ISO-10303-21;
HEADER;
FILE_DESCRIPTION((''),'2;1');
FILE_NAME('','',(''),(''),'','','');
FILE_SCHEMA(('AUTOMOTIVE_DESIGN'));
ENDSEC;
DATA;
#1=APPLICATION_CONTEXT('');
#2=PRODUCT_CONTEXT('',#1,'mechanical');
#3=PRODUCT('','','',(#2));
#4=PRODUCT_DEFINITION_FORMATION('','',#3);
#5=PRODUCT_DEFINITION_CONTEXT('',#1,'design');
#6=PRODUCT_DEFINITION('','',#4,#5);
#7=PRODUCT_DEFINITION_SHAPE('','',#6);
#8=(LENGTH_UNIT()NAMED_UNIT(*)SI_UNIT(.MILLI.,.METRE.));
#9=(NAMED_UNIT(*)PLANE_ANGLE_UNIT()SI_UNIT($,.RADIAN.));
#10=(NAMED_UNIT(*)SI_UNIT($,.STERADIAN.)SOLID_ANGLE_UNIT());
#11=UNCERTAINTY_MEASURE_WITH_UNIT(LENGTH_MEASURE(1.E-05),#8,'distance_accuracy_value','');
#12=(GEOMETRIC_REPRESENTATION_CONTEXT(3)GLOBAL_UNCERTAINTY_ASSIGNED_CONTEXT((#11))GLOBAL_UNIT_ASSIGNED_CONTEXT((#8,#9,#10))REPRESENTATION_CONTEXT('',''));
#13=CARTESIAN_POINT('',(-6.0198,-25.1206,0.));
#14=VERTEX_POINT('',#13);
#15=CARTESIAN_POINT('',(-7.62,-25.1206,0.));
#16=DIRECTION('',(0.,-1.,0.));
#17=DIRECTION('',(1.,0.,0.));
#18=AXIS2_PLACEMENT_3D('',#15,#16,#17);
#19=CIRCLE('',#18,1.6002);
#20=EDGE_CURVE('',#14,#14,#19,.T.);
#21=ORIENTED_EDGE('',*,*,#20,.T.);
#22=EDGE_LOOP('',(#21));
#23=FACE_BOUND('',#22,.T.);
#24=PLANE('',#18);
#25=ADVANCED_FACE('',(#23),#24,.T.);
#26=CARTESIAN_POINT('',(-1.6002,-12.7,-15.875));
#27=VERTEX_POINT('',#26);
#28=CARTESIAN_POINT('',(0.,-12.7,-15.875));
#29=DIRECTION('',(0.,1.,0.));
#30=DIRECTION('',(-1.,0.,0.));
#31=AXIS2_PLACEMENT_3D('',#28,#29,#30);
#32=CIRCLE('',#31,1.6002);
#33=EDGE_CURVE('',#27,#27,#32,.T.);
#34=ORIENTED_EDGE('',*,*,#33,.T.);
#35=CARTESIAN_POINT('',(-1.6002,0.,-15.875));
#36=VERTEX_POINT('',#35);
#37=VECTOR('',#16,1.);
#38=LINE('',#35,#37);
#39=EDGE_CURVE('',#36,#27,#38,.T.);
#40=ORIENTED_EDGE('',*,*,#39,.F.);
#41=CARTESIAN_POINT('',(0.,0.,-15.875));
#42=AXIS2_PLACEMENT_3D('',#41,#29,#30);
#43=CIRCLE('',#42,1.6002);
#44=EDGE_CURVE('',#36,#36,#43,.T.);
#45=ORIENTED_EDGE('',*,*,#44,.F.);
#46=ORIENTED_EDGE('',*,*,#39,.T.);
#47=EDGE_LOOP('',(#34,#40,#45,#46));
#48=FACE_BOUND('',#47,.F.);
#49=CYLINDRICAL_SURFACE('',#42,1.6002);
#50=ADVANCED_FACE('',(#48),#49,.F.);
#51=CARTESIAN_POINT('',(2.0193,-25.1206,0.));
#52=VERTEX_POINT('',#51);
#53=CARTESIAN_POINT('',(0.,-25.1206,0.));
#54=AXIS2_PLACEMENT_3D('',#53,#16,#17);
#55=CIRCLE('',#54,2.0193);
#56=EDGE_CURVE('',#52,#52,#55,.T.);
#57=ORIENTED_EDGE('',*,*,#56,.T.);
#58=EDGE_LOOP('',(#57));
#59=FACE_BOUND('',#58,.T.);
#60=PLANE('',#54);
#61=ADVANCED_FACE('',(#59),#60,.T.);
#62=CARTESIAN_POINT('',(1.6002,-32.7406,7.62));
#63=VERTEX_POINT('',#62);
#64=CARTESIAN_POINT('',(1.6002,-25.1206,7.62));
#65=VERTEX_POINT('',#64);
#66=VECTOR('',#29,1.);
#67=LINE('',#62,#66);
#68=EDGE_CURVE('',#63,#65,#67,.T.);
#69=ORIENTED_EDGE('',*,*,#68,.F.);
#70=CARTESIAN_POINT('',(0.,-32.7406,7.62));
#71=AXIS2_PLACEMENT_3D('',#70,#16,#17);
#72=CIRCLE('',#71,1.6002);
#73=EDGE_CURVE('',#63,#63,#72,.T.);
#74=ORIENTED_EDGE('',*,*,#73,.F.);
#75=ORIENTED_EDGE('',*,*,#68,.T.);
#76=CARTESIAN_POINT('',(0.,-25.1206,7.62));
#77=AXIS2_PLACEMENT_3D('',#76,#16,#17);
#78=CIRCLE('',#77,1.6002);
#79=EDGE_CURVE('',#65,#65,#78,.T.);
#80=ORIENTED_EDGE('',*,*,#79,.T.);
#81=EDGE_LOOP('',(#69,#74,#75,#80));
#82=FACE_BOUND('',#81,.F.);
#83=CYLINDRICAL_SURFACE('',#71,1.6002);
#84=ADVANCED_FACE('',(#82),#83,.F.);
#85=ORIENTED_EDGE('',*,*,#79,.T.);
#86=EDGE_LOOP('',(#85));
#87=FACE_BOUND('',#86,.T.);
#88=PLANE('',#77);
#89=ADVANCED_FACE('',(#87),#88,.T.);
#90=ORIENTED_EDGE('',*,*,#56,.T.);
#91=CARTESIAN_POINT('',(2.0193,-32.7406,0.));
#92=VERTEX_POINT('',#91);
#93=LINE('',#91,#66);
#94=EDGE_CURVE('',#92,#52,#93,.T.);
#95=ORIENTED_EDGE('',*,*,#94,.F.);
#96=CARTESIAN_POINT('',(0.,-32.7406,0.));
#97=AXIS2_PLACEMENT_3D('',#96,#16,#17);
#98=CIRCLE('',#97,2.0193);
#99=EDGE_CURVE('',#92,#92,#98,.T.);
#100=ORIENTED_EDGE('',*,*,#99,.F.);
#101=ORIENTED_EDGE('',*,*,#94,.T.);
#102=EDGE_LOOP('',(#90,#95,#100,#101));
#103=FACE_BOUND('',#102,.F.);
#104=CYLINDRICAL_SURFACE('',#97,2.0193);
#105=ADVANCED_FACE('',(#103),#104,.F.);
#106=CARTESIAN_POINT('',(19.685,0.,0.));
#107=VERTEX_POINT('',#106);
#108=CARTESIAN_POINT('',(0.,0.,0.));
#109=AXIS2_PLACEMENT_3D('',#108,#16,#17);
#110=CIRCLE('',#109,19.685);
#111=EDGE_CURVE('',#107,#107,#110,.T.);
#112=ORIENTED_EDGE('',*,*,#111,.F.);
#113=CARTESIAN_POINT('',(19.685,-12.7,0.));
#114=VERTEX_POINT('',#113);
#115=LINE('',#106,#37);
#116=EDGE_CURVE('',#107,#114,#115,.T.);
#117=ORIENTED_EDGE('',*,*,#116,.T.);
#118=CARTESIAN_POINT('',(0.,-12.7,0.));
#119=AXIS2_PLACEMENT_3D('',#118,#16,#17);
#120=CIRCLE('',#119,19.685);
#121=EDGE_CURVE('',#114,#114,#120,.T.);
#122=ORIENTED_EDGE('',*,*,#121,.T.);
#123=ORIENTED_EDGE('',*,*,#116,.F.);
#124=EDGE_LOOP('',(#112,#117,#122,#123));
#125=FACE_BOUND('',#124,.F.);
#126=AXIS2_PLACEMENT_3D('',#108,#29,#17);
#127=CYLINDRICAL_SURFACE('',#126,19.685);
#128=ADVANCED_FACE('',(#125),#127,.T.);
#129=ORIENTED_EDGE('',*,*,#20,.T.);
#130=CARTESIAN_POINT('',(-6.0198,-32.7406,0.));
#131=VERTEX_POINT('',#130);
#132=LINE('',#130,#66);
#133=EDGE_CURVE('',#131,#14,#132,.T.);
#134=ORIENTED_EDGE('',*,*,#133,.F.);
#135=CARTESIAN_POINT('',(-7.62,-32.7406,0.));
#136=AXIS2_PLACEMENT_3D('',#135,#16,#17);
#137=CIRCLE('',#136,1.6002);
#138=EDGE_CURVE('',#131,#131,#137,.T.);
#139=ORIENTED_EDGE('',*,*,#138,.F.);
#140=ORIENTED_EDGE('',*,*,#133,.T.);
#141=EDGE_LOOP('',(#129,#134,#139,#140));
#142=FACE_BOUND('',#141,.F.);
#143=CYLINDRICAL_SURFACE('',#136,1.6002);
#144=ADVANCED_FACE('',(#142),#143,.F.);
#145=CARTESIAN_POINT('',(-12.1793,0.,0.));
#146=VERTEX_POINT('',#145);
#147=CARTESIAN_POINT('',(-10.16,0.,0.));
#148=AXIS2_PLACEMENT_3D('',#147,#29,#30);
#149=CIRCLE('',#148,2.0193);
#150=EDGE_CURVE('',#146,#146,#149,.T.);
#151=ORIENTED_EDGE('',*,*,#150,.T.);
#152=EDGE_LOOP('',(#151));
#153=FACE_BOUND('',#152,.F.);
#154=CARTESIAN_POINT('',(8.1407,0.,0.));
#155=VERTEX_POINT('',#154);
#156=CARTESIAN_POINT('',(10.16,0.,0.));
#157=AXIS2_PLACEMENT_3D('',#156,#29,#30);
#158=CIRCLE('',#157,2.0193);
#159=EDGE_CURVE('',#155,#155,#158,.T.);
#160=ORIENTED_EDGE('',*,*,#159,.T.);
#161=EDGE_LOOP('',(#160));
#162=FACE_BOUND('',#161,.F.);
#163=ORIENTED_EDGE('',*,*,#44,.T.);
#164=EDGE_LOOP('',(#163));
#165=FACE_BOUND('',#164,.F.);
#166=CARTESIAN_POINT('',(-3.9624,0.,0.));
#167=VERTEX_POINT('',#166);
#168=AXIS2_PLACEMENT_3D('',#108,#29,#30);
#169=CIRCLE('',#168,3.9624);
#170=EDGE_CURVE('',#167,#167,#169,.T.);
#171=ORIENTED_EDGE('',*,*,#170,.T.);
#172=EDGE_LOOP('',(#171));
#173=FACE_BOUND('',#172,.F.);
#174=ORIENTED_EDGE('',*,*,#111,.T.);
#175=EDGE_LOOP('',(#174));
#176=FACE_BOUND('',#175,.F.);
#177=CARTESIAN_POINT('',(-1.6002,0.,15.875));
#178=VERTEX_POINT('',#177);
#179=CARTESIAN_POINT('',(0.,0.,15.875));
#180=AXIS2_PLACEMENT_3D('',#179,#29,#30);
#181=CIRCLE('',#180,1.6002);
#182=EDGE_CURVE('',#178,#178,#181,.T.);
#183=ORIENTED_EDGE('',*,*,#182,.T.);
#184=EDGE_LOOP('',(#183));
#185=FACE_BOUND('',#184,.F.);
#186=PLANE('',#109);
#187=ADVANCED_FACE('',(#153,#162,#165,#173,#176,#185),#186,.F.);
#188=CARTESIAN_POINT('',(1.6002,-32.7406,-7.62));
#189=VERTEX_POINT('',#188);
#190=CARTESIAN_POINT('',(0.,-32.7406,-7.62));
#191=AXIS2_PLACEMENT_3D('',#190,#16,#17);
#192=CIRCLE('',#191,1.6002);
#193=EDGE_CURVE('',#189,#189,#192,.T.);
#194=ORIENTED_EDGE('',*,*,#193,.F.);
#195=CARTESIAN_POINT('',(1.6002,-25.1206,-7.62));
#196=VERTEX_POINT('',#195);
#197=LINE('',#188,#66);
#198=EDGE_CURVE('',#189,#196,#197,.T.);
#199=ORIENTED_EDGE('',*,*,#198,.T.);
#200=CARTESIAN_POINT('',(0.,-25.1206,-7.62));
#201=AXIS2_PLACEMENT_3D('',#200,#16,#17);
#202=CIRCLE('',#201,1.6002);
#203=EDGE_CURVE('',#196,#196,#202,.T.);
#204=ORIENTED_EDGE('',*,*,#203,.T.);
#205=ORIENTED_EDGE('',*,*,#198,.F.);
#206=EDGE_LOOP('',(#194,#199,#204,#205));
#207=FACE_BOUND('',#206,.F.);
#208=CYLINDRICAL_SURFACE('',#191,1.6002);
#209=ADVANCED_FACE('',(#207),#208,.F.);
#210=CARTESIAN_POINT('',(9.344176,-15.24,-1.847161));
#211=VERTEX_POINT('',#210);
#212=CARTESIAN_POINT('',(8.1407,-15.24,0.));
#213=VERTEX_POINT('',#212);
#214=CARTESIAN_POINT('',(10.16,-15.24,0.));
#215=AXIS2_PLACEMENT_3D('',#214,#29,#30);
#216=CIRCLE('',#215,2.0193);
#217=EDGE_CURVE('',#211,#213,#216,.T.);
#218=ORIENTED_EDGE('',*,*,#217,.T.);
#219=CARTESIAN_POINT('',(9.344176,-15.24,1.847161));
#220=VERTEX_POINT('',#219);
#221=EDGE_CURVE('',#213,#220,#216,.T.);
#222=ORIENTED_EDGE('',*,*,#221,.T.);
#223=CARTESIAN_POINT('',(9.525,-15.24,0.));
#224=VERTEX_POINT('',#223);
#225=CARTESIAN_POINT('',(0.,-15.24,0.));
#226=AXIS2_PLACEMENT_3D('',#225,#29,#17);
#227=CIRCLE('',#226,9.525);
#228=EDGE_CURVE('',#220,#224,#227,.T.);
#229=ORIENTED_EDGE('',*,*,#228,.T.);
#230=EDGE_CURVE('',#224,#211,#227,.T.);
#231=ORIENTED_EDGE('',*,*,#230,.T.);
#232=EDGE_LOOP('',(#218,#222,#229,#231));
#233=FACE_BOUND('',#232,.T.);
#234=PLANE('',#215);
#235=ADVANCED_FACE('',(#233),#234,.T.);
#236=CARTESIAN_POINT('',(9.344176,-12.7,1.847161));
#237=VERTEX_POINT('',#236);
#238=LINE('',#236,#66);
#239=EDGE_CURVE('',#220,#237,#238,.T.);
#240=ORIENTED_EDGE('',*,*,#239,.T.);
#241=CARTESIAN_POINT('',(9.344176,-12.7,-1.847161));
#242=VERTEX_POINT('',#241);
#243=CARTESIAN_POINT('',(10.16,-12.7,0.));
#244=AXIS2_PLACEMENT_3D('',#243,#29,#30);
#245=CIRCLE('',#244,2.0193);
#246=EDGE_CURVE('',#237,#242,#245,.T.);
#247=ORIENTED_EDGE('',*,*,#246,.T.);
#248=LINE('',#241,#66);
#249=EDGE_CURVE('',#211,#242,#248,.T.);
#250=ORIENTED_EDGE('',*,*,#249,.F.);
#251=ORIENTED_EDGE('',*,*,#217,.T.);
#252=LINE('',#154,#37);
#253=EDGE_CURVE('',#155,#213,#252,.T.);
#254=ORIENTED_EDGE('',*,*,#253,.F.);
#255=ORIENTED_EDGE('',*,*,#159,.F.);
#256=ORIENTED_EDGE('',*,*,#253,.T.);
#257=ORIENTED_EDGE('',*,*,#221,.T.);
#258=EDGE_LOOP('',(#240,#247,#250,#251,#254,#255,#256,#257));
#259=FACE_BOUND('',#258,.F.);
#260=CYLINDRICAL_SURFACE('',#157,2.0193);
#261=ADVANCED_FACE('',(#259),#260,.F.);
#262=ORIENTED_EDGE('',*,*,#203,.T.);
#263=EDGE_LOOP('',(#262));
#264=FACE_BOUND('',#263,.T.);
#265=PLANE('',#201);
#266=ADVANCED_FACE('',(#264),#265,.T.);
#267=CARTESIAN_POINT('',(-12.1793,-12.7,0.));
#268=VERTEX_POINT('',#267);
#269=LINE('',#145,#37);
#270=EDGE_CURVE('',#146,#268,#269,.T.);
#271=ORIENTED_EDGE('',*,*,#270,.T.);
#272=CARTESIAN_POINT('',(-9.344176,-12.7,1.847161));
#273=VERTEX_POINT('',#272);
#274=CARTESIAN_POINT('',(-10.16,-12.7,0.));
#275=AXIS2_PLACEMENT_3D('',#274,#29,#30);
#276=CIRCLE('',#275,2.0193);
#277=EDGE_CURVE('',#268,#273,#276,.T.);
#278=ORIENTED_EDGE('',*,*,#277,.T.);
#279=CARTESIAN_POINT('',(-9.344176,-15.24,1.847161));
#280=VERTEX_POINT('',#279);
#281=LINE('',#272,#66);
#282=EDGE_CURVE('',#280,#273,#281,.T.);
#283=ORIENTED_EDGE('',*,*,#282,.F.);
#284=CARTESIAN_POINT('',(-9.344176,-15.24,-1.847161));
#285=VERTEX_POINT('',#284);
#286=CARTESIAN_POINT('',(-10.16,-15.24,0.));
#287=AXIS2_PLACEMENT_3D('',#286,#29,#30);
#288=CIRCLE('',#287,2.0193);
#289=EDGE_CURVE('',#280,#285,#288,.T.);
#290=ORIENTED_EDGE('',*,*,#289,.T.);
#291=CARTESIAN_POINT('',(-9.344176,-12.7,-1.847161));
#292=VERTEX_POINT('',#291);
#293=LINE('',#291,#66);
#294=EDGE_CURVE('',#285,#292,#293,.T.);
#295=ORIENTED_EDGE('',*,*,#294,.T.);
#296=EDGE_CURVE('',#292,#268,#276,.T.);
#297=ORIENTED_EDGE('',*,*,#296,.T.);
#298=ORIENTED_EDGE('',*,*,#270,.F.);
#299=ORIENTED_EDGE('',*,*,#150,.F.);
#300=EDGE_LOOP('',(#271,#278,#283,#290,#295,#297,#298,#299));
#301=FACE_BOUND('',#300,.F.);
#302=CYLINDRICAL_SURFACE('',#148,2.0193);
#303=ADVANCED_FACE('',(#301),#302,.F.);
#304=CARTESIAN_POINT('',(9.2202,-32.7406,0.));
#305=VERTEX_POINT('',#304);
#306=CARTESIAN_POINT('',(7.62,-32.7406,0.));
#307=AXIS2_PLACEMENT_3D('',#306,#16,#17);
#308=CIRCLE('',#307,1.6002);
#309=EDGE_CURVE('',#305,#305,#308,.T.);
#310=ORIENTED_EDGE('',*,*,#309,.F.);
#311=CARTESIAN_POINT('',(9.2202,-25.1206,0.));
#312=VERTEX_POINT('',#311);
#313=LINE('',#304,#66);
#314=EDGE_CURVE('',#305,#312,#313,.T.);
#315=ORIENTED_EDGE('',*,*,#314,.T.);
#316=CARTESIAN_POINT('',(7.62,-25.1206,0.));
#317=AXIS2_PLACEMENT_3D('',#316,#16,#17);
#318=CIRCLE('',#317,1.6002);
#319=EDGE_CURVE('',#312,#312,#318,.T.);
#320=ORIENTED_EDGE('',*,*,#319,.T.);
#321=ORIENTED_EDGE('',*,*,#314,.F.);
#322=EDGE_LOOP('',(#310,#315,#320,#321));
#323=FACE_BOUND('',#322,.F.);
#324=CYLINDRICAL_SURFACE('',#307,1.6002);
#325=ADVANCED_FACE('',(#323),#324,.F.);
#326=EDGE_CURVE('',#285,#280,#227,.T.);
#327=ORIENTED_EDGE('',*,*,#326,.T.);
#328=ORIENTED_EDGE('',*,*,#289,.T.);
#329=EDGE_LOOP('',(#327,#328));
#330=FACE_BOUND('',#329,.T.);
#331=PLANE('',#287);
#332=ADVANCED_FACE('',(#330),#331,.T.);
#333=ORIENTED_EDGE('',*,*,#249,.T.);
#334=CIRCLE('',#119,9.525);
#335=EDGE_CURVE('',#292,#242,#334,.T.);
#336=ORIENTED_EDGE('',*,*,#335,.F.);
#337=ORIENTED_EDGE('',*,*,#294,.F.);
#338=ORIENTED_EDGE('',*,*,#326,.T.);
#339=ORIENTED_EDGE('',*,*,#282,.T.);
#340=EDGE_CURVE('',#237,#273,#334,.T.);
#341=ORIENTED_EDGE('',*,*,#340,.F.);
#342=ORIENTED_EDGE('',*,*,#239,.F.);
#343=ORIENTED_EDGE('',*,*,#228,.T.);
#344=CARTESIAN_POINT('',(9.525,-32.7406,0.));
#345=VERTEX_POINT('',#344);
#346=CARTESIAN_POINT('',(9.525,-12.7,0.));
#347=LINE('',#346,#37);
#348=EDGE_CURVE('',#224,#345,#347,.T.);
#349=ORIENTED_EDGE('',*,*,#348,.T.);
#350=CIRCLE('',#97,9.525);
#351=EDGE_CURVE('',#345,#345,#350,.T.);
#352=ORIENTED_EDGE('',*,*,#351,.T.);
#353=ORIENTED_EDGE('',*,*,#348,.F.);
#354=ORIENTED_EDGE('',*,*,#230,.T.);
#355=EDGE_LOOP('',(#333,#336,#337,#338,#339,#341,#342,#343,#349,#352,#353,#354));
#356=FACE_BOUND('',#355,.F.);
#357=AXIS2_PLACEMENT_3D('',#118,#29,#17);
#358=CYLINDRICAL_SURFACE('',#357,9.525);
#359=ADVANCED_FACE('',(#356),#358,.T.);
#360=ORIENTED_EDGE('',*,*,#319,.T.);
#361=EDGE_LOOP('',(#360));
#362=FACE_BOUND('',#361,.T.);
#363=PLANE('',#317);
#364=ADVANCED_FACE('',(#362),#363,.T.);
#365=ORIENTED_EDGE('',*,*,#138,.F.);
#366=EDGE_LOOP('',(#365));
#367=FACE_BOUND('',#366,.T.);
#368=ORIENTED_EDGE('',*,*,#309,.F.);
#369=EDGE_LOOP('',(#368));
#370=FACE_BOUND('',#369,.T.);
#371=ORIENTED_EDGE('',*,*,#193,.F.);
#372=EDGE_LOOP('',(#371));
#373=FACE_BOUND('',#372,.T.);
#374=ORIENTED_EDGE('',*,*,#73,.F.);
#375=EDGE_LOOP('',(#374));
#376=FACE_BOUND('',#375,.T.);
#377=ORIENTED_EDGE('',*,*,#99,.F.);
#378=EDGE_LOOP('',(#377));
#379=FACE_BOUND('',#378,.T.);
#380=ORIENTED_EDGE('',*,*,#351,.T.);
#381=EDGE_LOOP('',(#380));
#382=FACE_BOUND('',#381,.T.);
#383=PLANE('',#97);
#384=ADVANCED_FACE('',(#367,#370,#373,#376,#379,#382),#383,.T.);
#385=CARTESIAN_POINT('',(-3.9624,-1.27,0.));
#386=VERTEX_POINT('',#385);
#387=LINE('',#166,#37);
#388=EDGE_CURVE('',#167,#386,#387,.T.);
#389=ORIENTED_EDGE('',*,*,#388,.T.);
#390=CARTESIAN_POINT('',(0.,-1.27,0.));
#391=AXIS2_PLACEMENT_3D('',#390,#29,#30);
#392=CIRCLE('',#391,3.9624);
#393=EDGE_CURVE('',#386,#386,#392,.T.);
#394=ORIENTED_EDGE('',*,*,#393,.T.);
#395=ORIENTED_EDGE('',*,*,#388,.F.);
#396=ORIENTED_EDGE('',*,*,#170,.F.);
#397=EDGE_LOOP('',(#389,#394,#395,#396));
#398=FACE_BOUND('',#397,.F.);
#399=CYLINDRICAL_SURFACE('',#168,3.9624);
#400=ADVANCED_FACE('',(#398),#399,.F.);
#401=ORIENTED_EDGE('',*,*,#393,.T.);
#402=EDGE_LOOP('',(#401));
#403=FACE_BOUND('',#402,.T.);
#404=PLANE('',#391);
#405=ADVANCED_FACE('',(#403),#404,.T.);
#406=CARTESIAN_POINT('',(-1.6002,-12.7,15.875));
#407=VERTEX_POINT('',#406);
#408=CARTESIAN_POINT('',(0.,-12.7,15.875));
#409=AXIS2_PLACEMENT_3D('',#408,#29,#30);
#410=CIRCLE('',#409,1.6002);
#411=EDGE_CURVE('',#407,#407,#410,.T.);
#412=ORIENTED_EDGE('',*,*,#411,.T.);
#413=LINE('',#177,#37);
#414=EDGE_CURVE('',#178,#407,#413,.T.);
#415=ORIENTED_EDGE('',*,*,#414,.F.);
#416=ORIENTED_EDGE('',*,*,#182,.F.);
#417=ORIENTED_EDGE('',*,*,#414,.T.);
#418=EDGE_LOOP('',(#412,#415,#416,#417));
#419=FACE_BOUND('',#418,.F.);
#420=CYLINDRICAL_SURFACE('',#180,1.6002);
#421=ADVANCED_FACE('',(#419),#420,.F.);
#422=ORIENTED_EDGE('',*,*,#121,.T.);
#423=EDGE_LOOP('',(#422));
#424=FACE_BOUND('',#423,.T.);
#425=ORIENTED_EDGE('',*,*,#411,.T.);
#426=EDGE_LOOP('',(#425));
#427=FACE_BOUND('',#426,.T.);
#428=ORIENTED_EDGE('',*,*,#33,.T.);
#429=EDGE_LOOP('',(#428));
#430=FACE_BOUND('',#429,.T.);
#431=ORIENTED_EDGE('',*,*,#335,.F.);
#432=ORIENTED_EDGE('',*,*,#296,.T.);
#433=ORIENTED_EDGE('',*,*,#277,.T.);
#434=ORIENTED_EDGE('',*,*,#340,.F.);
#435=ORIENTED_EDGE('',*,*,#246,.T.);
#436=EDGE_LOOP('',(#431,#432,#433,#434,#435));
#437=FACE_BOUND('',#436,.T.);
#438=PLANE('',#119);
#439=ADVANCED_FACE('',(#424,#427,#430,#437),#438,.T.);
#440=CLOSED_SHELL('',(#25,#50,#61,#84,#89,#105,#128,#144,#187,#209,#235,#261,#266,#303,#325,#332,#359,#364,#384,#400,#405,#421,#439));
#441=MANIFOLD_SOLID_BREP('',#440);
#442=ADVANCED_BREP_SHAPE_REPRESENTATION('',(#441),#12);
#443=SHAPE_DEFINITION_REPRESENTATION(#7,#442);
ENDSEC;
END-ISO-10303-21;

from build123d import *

# Parameters (mm, degrees)
F0_R     = 19.685
F1_DEPTH = 12.7
F2_R     = 9.525
F3_DEPTH = 20.0406
F4_R     = 1.6002
F4_R_2   = 2.0193
F5_DEPTH = 7.62
F6_R     = 3.9624
F7_DEPTH = 1.27
F8_R     = 1.6002
F8_R_2   = 2.0193
F9_DEPTH = 15.24


with BuildPart() as f1:
    # F0 (on Front) → F1 (new body)
    with BuildSketch(Plane.XZ):
        Circle(F0_R)
    extrude(amount=F1_DEPTH)

    # F2 (on face) → F3 (join)
    with BuildSketch(Plane.XZ.offset(12.7)):
        Circle(F2_R)
    extrude(amount=F3_DEPTH)

    # F4 (on face) → F5 (cut)
    with BuildSketch(Plane.XZ.offset(32.7406)):
        with Locations((7.62, 0)):
            Circle(F4_R)
        with Locations((0, 7.62)):
            Circle(F4_R)
        with Locations((-7.62, 0)):
            Circle(F4_R)
        with Locations((0, -7.62)):
            Circle(F4_R)
        Circle(F4_R_2)
    extrude(amount=-F5_DEPTH, mode=Mode.SUBTRACT)

    # F6 (on face) → F7 (cut)
    with BuildSketch(Plane(origin=(0, 0, 0), x_dir=(-1, 0, 0), z_dir=(0, 1, 0))):
        Circle(F6_R)
    extrude(amount=-F7_DEPTH, mode=Mode.SUBTRACT)

    # F8 (on face) → F9 (cut)
    with BuildSketch(Plane(origin=(0, 0, 0), x_dir=(-1, 0, 0), z_dir=(0, 1, 0))):
        with Locations((0, 15.875)):
            Circle(F8_R)
        with Locations((10.16, 0)):
            Circle(F8_R_2)
        with Locations((0, -15.875)):
            Circle(F8_R)
        with Locations((-10.16, 0)):
            Circle(F8_R_2)
    extrude(amount=-F9_DEPTH, mode=Mode.SUBTRACT)


solid = f1.part
